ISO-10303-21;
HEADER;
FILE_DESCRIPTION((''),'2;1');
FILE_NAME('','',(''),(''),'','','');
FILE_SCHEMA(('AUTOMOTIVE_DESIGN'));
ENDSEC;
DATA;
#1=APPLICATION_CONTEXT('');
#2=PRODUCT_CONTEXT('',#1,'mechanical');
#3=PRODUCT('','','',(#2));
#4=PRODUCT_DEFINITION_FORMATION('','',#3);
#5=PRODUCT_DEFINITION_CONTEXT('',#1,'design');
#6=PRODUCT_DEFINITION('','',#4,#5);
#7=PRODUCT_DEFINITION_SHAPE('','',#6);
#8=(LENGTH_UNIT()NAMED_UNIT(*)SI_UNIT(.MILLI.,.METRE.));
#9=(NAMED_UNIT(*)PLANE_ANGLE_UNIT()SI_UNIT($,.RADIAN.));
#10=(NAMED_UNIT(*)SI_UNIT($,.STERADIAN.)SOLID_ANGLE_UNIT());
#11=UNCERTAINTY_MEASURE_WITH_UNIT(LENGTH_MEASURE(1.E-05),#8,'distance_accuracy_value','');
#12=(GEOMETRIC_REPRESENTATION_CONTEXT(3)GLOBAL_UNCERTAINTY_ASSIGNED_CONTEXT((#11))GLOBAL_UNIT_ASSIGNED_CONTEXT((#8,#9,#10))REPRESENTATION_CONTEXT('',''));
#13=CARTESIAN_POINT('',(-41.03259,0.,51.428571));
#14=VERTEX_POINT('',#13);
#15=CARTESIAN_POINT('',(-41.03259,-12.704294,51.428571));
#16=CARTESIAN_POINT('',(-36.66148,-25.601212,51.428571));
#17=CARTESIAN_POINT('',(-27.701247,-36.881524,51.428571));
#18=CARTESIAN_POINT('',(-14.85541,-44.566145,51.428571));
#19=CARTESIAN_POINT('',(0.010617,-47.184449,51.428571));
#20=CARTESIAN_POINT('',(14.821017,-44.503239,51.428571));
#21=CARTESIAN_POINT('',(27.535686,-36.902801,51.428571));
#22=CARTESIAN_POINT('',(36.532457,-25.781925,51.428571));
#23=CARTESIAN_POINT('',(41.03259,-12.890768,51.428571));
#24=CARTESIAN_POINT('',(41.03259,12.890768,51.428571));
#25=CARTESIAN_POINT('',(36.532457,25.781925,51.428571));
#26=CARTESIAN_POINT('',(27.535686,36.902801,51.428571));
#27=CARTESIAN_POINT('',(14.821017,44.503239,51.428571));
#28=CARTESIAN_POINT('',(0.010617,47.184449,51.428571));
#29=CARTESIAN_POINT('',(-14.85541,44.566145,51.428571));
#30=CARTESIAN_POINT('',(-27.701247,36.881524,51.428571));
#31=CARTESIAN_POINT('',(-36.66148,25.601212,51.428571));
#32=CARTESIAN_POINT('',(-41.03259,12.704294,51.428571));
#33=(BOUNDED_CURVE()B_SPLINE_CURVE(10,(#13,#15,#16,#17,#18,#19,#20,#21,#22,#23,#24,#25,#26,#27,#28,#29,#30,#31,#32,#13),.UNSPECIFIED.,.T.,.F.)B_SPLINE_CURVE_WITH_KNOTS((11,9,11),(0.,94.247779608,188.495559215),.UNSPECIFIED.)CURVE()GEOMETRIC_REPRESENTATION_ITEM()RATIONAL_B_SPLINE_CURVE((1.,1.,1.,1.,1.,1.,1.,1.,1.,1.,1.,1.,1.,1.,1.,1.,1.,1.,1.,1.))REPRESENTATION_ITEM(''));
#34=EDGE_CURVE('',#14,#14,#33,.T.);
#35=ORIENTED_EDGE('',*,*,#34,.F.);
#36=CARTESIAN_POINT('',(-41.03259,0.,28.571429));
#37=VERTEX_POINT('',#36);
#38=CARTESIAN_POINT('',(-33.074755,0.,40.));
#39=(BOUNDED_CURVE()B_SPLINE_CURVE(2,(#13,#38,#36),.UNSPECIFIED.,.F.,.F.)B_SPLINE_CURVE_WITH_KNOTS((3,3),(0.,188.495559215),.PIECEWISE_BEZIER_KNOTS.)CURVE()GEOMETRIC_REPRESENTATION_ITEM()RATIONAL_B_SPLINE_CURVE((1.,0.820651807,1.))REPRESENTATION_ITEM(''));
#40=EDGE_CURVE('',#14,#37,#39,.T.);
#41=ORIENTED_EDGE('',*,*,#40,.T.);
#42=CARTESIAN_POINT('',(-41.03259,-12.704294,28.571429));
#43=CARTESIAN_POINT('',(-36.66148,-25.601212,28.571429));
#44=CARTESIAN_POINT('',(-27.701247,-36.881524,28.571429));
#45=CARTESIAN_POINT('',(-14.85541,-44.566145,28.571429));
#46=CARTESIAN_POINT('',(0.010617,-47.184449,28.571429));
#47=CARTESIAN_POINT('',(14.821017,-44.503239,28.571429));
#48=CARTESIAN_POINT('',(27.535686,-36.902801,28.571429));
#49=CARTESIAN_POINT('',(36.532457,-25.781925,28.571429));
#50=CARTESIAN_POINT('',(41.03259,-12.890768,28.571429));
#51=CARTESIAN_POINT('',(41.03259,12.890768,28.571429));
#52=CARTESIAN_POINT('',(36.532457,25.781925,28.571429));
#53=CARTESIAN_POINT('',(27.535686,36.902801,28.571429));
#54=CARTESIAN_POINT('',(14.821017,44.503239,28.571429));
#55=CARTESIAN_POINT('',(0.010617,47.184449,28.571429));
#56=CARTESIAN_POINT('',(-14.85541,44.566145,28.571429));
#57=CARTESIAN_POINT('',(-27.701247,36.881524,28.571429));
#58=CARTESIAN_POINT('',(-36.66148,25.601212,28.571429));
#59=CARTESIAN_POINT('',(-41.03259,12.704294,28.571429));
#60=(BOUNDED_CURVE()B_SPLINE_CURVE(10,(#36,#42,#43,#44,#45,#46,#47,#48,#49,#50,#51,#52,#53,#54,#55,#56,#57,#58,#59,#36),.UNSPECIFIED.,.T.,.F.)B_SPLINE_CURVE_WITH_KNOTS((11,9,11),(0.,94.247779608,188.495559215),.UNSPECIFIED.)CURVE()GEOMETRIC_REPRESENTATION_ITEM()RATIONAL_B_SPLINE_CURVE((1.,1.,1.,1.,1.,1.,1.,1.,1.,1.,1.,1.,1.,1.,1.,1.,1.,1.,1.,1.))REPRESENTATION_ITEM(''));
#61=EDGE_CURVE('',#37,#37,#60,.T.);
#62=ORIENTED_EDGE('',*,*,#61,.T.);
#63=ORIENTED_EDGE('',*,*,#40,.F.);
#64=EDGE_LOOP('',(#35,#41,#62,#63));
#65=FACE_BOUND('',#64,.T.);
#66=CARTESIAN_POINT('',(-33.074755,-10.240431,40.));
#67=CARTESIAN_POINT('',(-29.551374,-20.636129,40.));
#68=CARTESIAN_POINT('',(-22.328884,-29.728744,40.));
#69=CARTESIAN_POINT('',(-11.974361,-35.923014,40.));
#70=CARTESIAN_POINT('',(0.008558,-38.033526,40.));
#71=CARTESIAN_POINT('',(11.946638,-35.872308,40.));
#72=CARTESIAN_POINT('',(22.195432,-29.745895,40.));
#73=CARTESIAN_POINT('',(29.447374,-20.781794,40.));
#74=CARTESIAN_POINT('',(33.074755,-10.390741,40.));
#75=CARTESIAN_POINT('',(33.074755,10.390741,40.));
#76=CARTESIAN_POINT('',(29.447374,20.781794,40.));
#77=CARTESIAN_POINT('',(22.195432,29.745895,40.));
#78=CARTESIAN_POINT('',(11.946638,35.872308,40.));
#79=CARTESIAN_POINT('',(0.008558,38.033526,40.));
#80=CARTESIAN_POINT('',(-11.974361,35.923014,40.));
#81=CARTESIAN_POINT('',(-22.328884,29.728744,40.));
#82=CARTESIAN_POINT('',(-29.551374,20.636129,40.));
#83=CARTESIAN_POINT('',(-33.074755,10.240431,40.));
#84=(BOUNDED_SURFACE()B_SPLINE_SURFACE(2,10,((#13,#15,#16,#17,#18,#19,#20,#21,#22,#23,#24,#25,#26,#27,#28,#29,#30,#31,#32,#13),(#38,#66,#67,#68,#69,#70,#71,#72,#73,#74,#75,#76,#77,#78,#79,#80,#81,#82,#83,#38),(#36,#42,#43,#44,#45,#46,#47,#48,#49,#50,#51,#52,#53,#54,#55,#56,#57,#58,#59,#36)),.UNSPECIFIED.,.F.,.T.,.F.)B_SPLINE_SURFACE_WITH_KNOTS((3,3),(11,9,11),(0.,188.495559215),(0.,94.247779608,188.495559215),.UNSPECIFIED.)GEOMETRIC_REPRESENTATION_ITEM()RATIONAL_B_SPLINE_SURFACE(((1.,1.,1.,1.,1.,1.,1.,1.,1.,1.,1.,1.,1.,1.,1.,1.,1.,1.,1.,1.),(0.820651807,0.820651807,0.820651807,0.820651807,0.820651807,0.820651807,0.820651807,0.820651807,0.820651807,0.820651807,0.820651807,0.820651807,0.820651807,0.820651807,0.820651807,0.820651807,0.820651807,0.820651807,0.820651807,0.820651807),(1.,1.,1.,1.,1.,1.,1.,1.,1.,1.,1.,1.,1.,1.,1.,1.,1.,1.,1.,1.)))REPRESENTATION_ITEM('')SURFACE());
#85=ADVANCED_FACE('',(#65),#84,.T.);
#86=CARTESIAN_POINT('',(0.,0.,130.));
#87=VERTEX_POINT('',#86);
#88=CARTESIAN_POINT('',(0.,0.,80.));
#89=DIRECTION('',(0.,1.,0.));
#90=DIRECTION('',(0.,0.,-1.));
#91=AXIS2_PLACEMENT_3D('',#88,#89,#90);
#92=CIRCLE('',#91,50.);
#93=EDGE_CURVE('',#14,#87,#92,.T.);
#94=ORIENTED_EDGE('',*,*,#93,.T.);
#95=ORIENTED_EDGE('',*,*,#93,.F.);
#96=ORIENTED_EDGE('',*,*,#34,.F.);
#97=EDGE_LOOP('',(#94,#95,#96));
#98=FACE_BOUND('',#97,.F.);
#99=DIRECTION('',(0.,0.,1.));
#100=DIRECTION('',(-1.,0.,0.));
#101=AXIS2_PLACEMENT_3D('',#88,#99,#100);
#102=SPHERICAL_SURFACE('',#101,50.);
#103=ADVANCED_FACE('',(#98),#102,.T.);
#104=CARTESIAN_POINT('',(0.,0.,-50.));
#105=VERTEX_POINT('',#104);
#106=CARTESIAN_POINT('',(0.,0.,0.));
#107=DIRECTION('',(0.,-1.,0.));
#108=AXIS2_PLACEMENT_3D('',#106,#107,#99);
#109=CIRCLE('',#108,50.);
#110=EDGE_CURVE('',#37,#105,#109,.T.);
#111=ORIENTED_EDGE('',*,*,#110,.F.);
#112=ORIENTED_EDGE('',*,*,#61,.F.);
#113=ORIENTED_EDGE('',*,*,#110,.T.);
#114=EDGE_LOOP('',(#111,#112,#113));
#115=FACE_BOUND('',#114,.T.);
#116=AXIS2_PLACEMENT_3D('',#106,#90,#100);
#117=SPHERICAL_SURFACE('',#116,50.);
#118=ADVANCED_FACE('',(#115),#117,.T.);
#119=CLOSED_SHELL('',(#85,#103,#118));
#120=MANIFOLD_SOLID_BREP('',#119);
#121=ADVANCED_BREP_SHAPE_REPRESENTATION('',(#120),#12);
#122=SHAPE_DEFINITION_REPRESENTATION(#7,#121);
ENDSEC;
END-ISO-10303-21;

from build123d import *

# Parameters (mm, degrees)
F4_R = 20


with BuildPart() as f1:
    # F0 (on Front) → F1 (revolve)
    with BuildSketch(Plane.XZ):
        with BuildLine():
            Line((0, -50), (0, 50))
            ThreePointArc((0, 50), (-50, 0), (0, -50))
        make_face()
    revolve(axis=Axis((0, 0, 0), (0, 0, -1)))

    # F3: F1 across plane


with BuildPart() as f1_1:
    add(f1.part)
    add(f1.part.mirror(Plane.XY.offset(40)))

    # F4
    f4_edges = [f1_1.edges().sort_by_distance(p)[0] for p in [
        (30, 0, 40),
        (-47.434165, 0, -15.811388),
    ]]
    fillet(f4_edges, radius=F4_R)


solid = f1_1.part
